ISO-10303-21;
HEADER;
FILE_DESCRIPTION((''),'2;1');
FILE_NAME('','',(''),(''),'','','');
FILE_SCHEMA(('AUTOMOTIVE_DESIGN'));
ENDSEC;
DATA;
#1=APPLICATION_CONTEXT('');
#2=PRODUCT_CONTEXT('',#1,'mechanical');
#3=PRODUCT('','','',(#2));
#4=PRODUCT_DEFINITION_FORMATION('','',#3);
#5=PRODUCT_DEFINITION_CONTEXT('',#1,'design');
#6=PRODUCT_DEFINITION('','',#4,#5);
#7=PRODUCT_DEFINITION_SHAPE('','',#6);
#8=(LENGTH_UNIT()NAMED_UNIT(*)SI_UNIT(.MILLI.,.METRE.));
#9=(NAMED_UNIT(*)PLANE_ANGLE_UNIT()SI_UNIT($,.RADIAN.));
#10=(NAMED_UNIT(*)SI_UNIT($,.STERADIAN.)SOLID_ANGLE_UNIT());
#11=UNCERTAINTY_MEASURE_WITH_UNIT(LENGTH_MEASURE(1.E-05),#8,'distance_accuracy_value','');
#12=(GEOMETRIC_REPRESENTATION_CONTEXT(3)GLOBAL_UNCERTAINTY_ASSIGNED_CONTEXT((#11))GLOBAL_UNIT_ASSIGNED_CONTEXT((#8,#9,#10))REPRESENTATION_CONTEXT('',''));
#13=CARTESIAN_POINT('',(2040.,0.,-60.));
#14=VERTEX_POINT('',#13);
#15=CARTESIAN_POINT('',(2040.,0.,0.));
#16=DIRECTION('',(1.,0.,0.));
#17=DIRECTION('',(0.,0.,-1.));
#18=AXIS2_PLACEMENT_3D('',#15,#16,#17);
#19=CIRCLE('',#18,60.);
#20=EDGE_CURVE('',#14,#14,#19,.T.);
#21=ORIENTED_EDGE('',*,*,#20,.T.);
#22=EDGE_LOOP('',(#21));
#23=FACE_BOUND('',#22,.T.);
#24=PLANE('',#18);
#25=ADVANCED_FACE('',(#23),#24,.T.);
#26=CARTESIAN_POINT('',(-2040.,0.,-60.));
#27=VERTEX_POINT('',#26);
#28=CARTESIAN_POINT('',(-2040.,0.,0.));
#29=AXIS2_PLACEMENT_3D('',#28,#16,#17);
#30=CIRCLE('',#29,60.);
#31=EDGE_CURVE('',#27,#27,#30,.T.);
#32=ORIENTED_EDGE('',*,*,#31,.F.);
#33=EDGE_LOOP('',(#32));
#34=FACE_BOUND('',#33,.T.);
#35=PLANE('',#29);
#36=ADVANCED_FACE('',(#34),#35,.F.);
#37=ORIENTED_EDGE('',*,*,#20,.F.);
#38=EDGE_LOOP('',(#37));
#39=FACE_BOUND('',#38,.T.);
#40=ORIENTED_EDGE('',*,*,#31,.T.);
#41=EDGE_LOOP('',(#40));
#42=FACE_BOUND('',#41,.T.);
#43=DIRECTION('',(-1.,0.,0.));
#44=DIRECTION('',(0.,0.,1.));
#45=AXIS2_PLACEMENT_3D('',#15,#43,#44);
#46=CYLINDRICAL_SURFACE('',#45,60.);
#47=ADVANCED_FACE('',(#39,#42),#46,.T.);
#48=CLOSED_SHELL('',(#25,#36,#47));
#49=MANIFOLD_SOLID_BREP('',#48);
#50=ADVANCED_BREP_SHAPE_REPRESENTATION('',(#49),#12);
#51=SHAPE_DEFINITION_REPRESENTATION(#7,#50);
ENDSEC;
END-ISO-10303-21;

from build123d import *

# Parameters (mm, degrees)
SKETCH_1_R      = 60
EXTRUDE_1_DEPTH = 2040


with BuildPart() as part:
    # 草图1 → 凸台-拉伸1 (new body, symmetric)
    with BuildSketch(Plane(origin=(0, 0, 0), x_dir=(0, 0, -1), z_dir=(1, 0, 0))):
        Circle(SKETCH_1_R)
    extrude(amount=EXTRUDE_1_DEPTH, both=True)


solid = part.part
